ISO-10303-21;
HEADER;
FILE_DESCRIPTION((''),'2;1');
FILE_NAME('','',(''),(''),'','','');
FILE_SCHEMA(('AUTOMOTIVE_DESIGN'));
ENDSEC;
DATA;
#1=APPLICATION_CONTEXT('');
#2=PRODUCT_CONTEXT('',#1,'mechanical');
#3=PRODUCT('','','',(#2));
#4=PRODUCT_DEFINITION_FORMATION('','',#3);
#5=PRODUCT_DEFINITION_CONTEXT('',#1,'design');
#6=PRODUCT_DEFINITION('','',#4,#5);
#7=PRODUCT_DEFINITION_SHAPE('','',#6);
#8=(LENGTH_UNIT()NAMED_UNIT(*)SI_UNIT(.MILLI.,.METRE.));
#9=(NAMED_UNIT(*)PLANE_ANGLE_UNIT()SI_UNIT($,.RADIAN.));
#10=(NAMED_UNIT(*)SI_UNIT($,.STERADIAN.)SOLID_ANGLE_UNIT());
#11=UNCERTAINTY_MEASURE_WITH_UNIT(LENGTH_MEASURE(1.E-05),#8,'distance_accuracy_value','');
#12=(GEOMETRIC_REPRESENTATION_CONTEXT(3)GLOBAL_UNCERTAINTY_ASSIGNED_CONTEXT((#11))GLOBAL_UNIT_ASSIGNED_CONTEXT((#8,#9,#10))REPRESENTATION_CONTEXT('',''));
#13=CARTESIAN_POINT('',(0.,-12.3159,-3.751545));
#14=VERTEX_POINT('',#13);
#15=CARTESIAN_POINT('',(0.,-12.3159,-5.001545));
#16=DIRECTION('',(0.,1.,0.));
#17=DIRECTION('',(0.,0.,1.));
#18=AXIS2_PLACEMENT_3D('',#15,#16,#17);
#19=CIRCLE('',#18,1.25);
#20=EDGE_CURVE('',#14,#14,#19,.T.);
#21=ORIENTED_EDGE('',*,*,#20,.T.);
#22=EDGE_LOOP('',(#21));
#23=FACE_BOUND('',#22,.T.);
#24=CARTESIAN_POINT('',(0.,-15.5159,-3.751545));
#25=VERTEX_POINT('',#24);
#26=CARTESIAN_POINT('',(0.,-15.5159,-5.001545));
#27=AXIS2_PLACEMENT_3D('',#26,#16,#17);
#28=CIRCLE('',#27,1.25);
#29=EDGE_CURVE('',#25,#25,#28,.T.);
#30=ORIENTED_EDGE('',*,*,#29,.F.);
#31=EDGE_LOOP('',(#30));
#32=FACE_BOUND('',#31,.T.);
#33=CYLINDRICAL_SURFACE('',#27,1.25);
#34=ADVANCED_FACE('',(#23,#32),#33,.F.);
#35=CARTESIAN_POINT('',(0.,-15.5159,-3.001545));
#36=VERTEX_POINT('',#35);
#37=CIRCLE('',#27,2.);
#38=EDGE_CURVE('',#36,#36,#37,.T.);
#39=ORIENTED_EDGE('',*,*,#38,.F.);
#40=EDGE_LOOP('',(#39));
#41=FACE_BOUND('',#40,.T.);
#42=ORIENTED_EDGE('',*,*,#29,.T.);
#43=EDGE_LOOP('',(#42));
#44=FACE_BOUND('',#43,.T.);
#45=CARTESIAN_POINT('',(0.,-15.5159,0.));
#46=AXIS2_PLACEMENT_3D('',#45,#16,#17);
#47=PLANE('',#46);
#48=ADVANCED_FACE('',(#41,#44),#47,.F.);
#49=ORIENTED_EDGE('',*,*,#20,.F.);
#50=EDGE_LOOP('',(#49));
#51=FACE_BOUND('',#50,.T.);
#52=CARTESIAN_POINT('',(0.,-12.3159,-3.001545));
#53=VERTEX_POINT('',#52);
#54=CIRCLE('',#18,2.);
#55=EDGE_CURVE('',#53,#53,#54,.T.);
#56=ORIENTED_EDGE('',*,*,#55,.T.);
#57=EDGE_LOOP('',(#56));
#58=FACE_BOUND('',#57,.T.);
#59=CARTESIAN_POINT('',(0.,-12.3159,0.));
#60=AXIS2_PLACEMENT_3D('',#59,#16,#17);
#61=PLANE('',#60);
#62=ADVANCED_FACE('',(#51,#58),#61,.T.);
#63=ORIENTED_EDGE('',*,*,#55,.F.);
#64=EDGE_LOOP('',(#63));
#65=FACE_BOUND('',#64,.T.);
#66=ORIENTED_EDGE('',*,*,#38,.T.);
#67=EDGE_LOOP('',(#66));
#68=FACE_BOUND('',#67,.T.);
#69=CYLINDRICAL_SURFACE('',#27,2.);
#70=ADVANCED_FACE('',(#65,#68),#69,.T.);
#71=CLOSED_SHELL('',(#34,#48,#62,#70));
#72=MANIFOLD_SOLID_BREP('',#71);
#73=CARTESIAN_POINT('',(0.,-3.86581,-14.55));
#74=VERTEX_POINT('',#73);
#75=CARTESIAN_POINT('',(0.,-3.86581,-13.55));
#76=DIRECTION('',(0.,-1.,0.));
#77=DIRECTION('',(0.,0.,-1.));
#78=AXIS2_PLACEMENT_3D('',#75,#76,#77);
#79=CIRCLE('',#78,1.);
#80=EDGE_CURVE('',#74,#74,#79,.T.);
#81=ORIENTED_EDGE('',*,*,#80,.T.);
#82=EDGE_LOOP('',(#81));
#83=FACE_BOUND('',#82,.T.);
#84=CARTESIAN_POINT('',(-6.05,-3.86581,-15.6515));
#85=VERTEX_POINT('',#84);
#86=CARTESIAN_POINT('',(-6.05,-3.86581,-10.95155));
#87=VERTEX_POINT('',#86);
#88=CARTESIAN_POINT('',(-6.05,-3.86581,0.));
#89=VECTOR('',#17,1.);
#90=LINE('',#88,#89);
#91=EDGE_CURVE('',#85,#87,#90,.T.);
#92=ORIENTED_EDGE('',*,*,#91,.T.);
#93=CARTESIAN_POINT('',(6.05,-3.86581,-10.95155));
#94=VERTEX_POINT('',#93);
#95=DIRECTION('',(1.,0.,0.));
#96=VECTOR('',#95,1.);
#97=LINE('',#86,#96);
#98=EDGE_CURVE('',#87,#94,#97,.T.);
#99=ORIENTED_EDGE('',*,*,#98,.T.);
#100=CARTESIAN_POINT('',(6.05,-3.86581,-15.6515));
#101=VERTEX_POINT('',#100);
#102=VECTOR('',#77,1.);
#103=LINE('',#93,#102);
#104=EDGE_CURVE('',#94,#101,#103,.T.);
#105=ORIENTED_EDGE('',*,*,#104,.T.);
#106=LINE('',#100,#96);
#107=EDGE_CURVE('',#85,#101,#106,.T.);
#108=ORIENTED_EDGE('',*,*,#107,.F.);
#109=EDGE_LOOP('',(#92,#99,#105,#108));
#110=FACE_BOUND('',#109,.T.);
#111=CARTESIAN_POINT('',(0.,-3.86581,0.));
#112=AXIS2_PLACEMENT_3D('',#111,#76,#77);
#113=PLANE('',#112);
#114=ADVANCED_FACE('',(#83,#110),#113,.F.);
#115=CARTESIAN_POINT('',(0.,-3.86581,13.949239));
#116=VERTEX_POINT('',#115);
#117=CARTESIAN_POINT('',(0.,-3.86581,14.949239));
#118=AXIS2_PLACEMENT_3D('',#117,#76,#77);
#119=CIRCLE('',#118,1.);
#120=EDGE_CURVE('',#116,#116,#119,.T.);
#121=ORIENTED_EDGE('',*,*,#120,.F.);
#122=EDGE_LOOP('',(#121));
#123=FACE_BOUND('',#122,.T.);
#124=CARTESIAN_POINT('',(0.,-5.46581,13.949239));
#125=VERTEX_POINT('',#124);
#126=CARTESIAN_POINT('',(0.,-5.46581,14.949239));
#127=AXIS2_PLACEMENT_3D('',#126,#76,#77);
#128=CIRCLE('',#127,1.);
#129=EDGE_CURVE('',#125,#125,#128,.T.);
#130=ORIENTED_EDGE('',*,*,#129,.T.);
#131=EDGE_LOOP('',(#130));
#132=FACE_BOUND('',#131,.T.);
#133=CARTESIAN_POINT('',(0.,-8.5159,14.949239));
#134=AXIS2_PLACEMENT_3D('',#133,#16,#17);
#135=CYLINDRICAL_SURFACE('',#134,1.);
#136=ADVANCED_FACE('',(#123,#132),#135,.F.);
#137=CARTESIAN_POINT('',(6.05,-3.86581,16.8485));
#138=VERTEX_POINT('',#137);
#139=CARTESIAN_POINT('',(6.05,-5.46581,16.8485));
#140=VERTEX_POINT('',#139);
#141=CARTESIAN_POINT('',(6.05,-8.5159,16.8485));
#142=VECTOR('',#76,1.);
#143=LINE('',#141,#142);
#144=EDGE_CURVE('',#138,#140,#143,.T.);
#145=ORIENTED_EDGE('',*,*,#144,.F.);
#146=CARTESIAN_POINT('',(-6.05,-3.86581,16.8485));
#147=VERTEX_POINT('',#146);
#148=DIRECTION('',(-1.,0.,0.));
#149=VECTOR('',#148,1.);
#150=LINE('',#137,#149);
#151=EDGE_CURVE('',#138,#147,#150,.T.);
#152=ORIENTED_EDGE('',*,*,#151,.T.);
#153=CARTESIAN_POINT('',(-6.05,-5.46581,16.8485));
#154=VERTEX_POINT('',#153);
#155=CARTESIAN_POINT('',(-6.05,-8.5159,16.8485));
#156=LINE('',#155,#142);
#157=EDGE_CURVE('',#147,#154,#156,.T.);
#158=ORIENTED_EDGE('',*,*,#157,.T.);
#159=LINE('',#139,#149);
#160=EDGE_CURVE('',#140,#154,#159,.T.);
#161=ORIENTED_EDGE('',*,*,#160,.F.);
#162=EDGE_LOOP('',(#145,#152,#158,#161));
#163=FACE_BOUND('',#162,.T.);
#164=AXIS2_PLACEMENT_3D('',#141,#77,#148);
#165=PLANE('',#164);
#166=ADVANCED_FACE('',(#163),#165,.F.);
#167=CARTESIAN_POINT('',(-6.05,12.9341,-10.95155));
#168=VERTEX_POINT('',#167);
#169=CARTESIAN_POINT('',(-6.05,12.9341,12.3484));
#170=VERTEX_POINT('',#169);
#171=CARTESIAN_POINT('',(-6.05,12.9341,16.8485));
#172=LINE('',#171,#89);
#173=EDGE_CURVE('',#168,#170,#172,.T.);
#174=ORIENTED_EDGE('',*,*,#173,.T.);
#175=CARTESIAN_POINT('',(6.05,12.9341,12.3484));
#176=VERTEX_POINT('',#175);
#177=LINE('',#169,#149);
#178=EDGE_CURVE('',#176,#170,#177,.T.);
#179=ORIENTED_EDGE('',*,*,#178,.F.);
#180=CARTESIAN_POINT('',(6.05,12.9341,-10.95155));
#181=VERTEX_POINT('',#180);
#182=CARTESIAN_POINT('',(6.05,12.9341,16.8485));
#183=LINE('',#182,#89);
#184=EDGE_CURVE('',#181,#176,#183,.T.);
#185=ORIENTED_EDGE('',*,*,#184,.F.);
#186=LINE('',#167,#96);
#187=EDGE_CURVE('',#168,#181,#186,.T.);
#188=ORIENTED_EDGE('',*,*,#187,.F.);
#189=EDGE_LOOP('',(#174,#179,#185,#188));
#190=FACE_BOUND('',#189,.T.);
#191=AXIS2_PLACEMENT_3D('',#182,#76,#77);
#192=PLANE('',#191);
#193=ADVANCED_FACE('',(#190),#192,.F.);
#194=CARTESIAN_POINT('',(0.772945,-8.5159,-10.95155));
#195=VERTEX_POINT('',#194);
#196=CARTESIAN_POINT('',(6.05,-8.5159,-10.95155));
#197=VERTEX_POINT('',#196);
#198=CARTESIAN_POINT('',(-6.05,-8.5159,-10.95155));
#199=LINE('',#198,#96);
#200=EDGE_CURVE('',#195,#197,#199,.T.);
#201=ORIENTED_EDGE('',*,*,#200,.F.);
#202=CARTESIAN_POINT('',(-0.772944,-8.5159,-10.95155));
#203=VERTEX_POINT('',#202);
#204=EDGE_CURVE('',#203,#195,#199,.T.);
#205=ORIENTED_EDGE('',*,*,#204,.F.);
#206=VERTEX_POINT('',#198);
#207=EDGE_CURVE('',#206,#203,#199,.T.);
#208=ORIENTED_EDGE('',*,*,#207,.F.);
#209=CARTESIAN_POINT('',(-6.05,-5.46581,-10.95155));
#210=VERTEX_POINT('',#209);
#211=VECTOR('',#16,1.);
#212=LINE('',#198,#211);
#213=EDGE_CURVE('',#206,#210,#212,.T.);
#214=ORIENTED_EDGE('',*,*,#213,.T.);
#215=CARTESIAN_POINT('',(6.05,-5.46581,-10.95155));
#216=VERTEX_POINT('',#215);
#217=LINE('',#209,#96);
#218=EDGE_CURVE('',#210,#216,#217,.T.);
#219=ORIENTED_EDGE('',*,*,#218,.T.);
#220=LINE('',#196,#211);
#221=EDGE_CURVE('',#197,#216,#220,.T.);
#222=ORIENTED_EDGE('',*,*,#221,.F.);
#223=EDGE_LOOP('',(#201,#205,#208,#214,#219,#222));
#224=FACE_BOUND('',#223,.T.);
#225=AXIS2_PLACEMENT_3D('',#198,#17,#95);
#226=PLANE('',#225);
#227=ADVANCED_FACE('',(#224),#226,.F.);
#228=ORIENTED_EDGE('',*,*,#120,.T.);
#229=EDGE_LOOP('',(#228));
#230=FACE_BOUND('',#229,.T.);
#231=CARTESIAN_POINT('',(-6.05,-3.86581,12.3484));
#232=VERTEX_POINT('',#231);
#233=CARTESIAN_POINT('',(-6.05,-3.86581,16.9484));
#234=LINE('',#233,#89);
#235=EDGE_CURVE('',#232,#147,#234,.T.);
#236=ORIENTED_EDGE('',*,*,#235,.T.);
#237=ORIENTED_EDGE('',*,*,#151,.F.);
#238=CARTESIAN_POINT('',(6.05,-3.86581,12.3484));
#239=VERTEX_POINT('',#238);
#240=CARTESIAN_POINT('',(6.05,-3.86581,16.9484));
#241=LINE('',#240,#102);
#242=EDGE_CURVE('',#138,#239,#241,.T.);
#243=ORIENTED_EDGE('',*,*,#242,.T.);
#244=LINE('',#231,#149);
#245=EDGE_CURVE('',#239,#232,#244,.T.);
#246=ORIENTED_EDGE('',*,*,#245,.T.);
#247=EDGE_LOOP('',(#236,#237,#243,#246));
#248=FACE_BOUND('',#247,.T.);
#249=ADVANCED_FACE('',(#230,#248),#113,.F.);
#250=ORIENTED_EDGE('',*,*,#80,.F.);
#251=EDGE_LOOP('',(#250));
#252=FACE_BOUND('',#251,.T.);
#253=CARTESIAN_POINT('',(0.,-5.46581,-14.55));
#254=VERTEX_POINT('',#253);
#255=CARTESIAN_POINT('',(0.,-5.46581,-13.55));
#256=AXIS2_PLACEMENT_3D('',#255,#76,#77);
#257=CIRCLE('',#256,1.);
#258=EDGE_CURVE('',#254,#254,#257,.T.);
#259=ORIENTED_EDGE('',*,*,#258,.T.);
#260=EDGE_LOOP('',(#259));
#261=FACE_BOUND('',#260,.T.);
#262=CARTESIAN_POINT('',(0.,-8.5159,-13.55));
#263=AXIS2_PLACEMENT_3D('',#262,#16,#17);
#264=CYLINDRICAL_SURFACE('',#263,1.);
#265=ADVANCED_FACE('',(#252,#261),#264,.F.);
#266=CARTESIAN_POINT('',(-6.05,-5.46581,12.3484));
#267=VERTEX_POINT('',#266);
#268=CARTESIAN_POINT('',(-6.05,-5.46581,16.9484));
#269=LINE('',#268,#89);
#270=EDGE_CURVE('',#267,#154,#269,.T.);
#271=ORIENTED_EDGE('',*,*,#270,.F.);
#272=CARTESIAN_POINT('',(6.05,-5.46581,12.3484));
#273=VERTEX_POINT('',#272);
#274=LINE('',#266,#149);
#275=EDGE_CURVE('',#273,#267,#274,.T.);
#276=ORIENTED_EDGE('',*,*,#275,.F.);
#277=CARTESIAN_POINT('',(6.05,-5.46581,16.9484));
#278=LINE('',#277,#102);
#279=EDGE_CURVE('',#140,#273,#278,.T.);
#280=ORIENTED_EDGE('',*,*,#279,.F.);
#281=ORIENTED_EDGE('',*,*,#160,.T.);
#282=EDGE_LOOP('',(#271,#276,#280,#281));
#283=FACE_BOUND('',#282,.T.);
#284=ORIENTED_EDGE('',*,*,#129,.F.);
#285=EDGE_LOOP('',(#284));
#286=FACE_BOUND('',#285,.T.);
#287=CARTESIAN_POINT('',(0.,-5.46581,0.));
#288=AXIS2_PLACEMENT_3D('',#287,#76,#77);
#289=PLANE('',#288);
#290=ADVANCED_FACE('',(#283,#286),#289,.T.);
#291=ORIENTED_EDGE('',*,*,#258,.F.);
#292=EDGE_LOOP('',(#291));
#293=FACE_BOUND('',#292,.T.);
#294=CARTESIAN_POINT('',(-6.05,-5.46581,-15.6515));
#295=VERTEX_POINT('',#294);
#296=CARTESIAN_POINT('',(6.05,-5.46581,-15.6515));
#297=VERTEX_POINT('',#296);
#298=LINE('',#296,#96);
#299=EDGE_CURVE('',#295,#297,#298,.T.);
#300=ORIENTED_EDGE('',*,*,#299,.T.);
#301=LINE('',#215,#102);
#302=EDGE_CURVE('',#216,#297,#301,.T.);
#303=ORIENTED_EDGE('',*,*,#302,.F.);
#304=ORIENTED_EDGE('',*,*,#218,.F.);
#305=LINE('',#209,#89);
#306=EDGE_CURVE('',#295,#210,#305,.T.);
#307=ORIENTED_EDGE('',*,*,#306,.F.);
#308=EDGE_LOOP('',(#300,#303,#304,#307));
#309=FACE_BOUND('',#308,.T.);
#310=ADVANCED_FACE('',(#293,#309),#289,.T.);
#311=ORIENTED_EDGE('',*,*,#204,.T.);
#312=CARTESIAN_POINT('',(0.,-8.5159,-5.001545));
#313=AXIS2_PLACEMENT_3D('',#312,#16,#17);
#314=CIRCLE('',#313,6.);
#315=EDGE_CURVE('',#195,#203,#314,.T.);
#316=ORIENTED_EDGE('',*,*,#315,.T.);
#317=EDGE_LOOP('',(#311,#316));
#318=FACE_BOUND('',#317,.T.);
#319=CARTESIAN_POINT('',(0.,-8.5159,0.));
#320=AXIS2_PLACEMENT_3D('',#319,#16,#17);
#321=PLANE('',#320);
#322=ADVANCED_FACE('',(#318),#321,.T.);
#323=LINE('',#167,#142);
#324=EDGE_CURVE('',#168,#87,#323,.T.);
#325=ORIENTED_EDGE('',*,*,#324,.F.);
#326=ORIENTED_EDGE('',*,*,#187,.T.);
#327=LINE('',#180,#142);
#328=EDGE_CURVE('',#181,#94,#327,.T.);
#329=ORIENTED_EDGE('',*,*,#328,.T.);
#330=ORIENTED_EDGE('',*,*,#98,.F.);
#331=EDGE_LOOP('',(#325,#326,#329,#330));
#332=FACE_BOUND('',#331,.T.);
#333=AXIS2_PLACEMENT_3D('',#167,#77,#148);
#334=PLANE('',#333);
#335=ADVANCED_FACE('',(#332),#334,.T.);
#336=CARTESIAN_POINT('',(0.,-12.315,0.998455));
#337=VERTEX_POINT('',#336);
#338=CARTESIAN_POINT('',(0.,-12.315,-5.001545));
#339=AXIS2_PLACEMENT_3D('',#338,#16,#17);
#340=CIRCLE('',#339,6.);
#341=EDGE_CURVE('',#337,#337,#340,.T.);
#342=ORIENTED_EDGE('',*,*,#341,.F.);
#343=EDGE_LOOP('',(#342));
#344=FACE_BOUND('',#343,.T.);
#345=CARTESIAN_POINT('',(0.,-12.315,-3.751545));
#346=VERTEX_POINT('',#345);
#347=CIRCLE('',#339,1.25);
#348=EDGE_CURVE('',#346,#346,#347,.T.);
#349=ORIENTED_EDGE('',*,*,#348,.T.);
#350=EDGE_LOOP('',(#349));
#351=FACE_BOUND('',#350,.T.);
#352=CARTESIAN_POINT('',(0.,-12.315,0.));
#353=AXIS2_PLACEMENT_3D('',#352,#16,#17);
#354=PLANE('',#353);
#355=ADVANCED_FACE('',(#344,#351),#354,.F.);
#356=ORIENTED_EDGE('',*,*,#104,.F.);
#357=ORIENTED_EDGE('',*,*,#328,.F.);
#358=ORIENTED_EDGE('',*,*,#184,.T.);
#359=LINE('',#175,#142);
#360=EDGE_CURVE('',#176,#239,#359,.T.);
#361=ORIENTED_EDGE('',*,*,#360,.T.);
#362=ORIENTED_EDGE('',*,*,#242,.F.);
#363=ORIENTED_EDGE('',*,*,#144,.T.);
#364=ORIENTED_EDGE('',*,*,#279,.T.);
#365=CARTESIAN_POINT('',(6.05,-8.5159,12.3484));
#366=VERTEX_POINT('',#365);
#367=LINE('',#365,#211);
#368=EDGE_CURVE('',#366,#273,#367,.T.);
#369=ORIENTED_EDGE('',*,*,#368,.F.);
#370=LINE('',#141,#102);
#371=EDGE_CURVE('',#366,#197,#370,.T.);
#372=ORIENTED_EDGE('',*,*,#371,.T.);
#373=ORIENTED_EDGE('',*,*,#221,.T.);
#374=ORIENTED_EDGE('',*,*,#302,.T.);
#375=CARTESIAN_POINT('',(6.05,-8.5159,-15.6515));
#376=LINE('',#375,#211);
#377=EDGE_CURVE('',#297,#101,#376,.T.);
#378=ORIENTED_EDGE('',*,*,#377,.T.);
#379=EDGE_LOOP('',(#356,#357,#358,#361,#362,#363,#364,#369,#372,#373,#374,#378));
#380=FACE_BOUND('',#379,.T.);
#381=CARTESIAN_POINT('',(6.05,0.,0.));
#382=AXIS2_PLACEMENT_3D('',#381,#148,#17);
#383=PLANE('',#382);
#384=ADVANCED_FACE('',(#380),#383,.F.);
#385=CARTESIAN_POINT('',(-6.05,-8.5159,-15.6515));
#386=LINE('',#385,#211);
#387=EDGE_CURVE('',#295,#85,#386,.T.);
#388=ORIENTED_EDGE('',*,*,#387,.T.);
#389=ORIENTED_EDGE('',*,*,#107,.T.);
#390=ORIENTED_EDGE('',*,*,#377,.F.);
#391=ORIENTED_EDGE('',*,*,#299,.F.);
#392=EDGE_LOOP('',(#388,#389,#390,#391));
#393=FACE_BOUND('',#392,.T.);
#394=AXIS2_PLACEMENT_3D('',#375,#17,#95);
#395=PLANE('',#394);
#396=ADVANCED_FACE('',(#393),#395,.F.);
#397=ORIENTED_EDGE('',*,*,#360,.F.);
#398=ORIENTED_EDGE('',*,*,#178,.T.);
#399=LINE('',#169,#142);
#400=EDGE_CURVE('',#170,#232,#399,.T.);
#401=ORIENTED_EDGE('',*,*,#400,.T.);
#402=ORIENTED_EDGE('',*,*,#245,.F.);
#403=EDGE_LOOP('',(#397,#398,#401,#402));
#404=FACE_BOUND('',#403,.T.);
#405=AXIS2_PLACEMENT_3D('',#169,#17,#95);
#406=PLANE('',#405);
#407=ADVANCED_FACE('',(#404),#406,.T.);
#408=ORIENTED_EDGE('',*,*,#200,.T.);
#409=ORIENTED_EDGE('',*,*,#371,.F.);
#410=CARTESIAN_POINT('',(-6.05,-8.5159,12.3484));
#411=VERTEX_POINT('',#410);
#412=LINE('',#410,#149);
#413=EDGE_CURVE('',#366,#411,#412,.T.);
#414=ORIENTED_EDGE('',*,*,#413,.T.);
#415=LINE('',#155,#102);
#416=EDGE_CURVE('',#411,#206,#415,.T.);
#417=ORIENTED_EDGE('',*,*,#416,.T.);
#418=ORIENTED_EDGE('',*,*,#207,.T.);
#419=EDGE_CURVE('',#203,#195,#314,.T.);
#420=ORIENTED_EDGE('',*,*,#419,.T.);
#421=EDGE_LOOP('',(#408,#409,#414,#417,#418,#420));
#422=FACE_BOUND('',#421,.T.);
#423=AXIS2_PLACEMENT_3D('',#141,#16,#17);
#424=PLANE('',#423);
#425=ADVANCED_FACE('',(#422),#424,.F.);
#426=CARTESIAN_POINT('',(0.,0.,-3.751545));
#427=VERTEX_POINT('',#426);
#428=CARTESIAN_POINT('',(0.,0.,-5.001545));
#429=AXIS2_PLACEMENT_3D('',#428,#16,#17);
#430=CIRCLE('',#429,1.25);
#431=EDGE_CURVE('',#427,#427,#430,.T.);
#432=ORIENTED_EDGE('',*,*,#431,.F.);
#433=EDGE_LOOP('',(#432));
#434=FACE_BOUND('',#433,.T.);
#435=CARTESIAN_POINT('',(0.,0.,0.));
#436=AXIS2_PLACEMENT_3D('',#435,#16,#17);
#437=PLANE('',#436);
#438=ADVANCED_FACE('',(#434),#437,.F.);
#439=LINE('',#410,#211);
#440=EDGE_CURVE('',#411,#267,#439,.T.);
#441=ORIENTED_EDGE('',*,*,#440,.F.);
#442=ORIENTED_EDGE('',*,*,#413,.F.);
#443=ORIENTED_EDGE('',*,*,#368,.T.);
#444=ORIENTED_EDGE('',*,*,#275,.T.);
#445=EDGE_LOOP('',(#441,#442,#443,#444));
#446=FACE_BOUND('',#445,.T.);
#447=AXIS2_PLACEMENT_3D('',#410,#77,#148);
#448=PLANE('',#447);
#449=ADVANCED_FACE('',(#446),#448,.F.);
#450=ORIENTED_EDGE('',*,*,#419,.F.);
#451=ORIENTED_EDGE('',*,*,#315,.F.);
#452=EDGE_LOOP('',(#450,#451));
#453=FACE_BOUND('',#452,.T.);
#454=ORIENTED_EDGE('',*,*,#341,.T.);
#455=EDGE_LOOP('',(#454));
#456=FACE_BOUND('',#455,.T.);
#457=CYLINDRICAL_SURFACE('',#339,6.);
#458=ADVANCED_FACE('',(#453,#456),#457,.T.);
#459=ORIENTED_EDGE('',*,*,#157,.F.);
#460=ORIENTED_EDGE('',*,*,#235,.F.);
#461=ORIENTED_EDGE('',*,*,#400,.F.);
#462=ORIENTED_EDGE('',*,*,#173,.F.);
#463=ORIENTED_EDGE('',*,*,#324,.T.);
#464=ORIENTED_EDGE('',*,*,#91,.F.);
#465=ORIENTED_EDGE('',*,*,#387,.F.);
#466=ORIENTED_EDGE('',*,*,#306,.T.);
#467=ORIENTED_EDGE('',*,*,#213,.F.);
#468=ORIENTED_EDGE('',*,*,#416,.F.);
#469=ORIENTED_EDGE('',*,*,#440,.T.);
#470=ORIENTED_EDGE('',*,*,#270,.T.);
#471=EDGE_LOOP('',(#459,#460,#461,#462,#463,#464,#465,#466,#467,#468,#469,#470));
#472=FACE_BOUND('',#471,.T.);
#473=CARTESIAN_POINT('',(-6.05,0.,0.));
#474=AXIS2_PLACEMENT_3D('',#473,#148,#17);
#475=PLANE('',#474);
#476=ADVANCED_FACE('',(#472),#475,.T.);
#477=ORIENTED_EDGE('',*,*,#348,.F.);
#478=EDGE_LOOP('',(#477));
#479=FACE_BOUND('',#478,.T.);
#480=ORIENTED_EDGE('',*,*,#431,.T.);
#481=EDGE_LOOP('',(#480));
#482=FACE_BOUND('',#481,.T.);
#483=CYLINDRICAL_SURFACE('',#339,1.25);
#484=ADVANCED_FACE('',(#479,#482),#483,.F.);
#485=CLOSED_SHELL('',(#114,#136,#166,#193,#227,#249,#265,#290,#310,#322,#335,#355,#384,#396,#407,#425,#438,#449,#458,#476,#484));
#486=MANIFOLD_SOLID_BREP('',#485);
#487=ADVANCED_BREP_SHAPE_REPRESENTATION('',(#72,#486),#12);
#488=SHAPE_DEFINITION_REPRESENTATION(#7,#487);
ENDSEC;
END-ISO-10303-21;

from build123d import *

# Parameters (mm, degrees)
SKETCH_3_W          = 32.5
SKETCH_3_H          = 21.45
EXTRUDE_1_DEPTH     = 6.05
CUT_EXTRUDE_START   = -3.86581
SKETCH_4_W          = 12.1
SKETCH_4_H          = 4.7
SKETCH_4_H_2        = 4.6
CUT_EXTRUDE_1_DEPTH = 26.951221363
CUT_EXTRUDE_START_2 = -5.46581
SKETCH_4_2_W        = 12.1
SKETCH_4_2_H        = 4.7
SKETCH_4_2_H_2      = 4.6
CUT_EXTRUDE_2_DEPTH = 17.619601363
SKETCH_5_R          = 1
CUT_EXTRUDE_3_DEPTH = 23.085411363
EXTRUDE_START       = -8.5159
SKETCH_6_R          = 6.000000077
SKETCH_6_R_2        = 1.25
EXTRUDE_2_DEPTH     = 3.7991
EXTRUDE_START_2     = -12.3159
SKETCH_6_6_R        = 1.999999968
EXTRUDE_3_DEPTH     = 3.2
SKETCH_6_7_R        = 1.25
CUT_EXTRUDE_4_DEPTH = 24.690031766


with BuildPart() as part:
    # 草图3 → 凸台-拉伸1 (new, symmetric)
    with BuildSketch(Plane(origin=(0, 0, 0), x_dir=(0, 0, -1), z_dir=(1, 0, 0))):
        with Locations((-0.5985, 2.2091)):
            Rectangle(SKETCH_3_W, SKETCH_3_H)
    extrude(amount=EXTRUDE_1_DEPTH, both=True)

    # 草图4 → 切除-拉伸1 (cut, through all)
    with BuildSketch(Plane(origin=(0, 0, 0), x_dir=(1, 0, 0), z_dir=(0, 1, 0)).offset(CUT_EXTRUDE_START)):
        with Locations((0, 13.30155)):
            Rectangle(SKETCH_4_W, SKETCH_4_H)
        with Locations((0, -14.6484)):
            Rectangle(SKETCH_4_W, SKETCH_4_H_2)
    extrude(amount=CUT_EXTRUDE_1_DEPTH, mode=Mode.SUBTRACT)

    # 草图4<2> → 切除-拉伸2 (cut, through all)
    with BuildSketch(Plane(origin=(0, 0, 0), x_dir=(1, 0, 0), z_dir=(0, 1, 0)).offset(CUT_EXTRUDE_START_2)):
        with Locations((0, 13.30155)):
            Rectangle(SKETCH_4_2_W, SKETCH_4_2_H)
        with Locations((0, -14.6484)):
            Rectangle(SKETCH_4_2_W, SKETCH_4_2_H_2)
    extrude(amount=-CUT_EXTRUDE_2_DEPTH, mode=Mode.SUBTRACT)

    # 草图5 → 切除-拉伸3 (cut, through all)
    with BuildSketch(Plane(origin=(0, 0, 0), x_dir=(1, 0, 0), z_dir=(0, 1, 0))):
        with Locations((0, 13.55)):
            Circle(SKETCH_5_R)
        with Locations((0, -14.949238683)):
            Circle(SKETCH_5_R)
    extrude(amount=-CUT_EXTRUDE_3_DEPTH, mode=Mode.SUBTRACT)

    # 草图6 → 凸台-拉伸2 (add)
    with BuildSketch(Plane(origin=(0, 0, 0), x_dir=(1, 0, 0), z_dir=(0, 1, 0)).offset(EXTRUDE_START)):
        with Locations((4.63e-07, 5.001545165)):
            Circle(SKETCH_6_R)
        with Locations((4.63e-07, 5.001545165)):
            Circle(SKETCH_6_R_2, mode=Mode.SUBTRACT)
    extrude(amount=-EXTRUDE_2_DEPTH)


with BuildPart() as body_2:
    # 草图6<6> → 凸台-拉伸3 (new body)
    with BuildSketch(Plane(origin=(0, 0, 0), x_dir=(1, 0, 0), z_dir=(0, 1, 0)).offset(EXTRUDE_START_2)):
        with Locations((4.63e-07, 5.001545165)):
            Circle(SKETCH_6_6_R)
    extrude(amount=-EXTRUDE_3_DEPTH)


with BuildPart() as cut_extrude_4_tool:
    # 草图6<7> → 切除-拉伸4 (new, through all)
    with BuildSketch(Plane(origin=(0, 0, 0), x_dir=(1, 0, 0), z_dir=(0, 1, 0))):
        with Locations((4.63e-07, 5.001545165)):
            Circle(SKETCH_6_7_R)
    extrude(amount=-CUT_EXTRUDE_4_DEPTH)


with BuildPart() as part_1:
    add(part.part)

    # 切除-拉伸4: cut by cut_extrude_4_tool
    add(cut_extrude_4_tool.part, mode=Mode.SUBTRACT)


with BuildPart() as body_2_1:
    add(body_2.part)

    # 切除-拉伸4: cut by cut_extrude_4_tool
    add(cut_extrude_4_tool.part, mode=Mode.SUBTRACT)


solid = Compound([part_1.part, body_2_1.part])
